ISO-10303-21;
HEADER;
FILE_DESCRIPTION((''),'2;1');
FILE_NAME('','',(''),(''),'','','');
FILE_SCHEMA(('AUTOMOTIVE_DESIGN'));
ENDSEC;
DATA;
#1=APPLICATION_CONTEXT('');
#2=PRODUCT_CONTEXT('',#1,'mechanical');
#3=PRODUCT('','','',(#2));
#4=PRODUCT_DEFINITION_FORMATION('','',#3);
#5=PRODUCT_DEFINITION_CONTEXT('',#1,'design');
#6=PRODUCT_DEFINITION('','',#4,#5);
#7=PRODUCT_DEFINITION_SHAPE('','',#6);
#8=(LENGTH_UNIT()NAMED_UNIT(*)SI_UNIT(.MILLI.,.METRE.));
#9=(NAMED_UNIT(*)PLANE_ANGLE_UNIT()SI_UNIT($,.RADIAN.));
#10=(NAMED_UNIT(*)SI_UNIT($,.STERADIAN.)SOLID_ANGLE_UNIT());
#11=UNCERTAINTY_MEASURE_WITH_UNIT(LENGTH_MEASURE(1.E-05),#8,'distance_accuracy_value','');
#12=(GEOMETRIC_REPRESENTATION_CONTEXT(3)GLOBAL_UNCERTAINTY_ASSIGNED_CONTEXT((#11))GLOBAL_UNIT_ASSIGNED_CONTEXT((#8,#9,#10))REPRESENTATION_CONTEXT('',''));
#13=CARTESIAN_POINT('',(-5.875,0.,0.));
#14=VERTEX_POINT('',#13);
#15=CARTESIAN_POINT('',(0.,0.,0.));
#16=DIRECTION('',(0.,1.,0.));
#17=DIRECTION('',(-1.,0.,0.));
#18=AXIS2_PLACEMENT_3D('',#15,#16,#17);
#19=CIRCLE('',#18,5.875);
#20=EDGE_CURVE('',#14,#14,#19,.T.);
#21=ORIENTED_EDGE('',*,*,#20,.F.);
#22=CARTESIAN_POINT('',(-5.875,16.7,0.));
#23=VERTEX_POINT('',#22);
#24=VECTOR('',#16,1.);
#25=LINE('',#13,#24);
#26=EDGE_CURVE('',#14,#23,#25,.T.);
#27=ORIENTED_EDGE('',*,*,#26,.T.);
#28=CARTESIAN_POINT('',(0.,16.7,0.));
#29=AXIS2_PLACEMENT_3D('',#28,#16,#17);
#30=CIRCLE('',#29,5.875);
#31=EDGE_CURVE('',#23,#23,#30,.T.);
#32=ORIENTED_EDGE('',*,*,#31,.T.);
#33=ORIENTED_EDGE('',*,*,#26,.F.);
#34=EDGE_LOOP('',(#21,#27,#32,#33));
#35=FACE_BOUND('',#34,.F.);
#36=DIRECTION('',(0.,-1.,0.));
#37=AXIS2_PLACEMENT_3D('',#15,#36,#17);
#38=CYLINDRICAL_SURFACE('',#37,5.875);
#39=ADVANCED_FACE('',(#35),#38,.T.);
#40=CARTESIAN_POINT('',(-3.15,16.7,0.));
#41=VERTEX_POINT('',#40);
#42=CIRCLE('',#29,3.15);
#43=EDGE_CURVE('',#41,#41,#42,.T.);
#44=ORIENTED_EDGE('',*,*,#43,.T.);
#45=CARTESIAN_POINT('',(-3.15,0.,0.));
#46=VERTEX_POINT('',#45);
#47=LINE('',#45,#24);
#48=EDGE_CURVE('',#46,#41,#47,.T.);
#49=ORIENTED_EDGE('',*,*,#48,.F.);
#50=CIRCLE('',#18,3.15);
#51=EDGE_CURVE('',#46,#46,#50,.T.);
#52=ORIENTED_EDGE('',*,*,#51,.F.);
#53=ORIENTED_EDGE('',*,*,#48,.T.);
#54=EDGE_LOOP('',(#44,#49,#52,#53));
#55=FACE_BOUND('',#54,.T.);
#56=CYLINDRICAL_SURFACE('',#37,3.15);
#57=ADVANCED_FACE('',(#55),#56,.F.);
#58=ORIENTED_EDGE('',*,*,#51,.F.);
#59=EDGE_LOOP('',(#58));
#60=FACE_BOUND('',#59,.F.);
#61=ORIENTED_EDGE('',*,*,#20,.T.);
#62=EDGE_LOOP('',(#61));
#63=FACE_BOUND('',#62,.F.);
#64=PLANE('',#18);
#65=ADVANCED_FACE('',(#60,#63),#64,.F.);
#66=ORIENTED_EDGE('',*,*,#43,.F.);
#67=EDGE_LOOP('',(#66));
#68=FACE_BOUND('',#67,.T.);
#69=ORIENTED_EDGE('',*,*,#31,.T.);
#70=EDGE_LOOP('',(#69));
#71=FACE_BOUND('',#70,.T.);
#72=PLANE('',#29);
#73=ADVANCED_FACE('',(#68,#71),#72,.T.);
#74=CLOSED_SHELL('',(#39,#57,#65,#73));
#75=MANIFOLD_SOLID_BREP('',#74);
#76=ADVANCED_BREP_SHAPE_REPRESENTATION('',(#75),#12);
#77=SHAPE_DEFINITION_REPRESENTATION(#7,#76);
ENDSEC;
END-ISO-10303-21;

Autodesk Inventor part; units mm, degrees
ref_plane "YZ Plane" through (0, 0, 0) normal (1, 0, 0) x (0, 1, 0)
ref_plane "XZ Plane" through (0, 0, 0) normal (0, 1, 0) x (-1, 0, 0)
ref_plane "XY Plane" through (0, 0, 0) normal (0, 0, 1) x (1, 0, 0)
sketch "Sketch1" plane through (0, 0, 0) normal (0, 1, 0) x (-1, 0, 0)
  circle A0 centre (0, 0) radius 3.15
  circle A1 centre (0, 0) radius 5.875
  dimension "d0" = 6.3
  dimension "d1" = 11.75
extrude "Extrusion1" add sketch "Sketch1" along normal blind 16.7
properties part number "inner_distance"
